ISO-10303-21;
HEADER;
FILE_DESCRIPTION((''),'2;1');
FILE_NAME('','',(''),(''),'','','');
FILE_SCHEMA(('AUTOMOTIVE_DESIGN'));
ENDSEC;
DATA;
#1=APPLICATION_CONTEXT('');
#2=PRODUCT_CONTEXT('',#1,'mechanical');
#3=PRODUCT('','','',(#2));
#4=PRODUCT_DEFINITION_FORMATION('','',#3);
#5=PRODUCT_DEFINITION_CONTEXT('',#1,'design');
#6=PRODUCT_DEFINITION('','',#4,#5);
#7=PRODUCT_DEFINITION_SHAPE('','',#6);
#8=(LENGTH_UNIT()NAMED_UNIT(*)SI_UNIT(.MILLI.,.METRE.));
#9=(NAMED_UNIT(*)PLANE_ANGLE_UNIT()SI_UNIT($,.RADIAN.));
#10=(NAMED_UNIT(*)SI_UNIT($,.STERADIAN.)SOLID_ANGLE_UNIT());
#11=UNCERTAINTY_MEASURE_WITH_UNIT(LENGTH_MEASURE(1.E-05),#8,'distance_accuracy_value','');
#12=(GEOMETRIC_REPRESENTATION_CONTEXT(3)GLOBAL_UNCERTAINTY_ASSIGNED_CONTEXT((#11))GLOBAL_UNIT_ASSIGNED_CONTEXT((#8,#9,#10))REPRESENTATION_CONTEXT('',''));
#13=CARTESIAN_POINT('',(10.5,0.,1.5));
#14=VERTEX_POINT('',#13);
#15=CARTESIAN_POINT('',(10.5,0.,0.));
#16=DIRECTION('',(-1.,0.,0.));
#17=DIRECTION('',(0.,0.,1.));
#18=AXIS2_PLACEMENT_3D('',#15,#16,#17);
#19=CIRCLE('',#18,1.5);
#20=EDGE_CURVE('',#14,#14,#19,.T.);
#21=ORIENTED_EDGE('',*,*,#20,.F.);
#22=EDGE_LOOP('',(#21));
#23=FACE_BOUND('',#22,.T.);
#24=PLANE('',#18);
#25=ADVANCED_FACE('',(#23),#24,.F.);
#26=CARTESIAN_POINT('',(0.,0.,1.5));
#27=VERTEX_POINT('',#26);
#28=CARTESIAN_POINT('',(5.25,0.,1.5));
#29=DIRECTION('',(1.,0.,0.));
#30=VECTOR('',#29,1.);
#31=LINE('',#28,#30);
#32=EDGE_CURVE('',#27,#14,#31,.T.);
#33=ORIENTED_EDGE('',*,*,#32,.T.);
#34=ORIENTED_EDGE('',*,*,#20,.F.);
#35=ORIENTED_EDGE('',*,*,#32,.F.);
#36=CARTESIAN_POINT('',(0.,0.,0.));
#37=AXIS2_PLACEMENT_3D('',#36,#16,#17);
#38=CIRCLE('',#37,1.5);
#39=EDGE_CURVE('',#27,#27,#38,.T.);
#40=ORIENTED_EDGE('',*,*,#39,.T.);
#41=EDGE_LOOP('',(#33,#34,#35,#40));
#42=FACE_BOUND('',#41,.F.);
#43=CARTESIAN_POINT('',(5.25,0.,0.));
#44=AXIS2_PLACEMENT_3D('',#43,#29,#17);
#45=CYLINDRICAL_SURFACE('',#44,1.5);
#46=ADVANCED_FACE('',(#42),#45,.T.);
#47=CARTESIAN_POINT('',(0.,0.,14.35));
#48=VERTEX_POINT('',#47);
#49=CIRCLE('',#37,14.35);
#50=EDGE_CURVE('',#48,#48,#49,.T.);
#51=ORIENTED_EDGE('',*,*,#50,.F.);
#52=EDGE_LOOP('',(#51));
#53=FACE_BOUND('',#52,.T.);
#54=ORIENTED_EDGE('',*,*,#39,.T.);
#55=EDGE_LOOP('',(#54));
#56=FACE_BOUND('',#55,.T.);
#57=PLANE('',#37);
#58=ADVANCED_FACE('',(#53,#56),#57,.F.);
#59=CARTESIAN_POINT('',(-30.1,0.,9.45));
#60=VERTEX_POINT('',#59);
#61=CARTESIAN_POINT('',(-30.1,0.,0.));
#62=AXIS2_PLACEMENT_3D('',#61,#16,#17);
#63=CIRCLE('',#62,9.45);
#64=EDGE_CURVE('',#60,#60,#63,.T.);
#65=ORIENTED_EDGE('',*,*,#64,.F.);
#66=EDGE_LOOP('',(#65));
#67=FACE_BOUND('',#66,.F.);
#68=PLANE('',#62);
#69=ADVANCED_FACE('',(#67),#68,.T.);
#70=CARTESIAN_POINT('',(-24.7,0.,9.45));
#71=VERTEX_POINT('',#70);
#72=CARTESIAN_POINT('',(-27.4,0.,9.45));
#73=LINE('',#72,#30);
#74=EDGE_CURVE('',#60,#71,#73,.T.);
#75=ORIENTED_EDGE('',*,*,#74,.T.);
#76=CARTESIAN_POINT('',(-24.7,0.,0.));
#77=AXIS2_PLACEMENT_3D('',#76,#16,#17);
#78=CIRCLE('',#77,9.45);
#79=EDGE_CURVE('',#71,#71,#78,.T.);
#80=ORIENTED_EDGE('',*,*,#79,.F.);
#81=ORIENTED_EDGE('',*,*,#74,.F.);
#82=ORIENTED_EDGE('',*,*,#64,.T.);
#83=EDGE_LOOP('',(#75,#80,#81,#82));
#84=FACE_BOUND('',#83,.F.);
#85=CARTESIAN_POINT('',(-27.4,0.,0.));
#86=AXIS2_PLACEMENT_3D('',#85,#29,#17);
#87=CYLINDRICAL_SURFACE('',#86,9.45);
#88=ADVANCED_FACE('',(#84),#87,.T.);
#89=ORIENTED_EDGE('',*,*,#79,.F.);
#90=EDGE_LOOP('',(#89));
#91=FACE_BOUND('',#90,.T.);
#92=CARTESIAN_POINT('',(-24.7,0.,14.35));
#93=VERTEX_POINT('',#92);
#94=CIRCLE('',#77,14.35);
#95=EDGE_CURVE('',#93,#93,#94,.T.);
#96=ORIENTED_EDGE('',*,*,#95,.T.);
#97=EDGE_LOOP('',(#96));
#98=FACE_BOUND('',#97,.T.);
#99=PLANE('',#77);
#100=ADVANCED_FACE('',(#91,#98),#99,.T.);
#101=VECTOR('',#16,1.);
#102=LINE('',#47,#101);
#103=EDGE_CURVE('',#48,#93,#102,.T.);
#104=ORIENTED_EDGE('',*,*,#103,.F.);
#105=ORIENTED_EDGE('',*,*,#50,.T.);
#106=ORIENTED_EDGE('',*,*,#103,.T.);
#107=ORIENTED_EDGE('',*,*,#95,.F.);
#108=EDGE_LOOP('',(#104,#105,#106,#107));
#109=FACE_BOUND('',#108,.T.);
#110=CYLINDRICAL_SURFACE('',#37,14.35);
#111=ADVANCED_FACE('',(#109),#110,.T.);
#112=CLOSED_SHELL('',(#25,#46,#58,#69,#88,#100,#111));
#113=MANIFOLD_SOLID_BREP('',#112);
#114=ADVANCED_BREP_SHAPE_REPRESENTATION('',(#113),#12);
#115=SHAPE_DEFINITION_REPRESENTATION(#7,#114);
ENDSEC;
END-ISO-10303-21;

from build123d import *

# Parameters (mm, degrees)
F0_W   = 5.4
F0_H   = 9.45
F0_W_2 = 10.5
F0_H_2 = 1.5


with BuildPart() as f1:
    # F0 (on Front) → F1 (revolve)
    with BuildSketch(Plane.XZ):
        with Locations((-27.4, 4.725)):
            Rectangle(F0_W, F0_H)
        Polygon((0, 14.35), (-24.7, 14.35), (-24.7, 9.45), (-24.7, 0), (0, 0), (0, 1.5), align=None)
        with Locations((5.25, 0.75)):
            Rectangle(F0_W_2, F0_H_2)
    revolve(axis=Axis((-15.05, 0, 0), (-1, 0, 0)))


solid = f1.part
